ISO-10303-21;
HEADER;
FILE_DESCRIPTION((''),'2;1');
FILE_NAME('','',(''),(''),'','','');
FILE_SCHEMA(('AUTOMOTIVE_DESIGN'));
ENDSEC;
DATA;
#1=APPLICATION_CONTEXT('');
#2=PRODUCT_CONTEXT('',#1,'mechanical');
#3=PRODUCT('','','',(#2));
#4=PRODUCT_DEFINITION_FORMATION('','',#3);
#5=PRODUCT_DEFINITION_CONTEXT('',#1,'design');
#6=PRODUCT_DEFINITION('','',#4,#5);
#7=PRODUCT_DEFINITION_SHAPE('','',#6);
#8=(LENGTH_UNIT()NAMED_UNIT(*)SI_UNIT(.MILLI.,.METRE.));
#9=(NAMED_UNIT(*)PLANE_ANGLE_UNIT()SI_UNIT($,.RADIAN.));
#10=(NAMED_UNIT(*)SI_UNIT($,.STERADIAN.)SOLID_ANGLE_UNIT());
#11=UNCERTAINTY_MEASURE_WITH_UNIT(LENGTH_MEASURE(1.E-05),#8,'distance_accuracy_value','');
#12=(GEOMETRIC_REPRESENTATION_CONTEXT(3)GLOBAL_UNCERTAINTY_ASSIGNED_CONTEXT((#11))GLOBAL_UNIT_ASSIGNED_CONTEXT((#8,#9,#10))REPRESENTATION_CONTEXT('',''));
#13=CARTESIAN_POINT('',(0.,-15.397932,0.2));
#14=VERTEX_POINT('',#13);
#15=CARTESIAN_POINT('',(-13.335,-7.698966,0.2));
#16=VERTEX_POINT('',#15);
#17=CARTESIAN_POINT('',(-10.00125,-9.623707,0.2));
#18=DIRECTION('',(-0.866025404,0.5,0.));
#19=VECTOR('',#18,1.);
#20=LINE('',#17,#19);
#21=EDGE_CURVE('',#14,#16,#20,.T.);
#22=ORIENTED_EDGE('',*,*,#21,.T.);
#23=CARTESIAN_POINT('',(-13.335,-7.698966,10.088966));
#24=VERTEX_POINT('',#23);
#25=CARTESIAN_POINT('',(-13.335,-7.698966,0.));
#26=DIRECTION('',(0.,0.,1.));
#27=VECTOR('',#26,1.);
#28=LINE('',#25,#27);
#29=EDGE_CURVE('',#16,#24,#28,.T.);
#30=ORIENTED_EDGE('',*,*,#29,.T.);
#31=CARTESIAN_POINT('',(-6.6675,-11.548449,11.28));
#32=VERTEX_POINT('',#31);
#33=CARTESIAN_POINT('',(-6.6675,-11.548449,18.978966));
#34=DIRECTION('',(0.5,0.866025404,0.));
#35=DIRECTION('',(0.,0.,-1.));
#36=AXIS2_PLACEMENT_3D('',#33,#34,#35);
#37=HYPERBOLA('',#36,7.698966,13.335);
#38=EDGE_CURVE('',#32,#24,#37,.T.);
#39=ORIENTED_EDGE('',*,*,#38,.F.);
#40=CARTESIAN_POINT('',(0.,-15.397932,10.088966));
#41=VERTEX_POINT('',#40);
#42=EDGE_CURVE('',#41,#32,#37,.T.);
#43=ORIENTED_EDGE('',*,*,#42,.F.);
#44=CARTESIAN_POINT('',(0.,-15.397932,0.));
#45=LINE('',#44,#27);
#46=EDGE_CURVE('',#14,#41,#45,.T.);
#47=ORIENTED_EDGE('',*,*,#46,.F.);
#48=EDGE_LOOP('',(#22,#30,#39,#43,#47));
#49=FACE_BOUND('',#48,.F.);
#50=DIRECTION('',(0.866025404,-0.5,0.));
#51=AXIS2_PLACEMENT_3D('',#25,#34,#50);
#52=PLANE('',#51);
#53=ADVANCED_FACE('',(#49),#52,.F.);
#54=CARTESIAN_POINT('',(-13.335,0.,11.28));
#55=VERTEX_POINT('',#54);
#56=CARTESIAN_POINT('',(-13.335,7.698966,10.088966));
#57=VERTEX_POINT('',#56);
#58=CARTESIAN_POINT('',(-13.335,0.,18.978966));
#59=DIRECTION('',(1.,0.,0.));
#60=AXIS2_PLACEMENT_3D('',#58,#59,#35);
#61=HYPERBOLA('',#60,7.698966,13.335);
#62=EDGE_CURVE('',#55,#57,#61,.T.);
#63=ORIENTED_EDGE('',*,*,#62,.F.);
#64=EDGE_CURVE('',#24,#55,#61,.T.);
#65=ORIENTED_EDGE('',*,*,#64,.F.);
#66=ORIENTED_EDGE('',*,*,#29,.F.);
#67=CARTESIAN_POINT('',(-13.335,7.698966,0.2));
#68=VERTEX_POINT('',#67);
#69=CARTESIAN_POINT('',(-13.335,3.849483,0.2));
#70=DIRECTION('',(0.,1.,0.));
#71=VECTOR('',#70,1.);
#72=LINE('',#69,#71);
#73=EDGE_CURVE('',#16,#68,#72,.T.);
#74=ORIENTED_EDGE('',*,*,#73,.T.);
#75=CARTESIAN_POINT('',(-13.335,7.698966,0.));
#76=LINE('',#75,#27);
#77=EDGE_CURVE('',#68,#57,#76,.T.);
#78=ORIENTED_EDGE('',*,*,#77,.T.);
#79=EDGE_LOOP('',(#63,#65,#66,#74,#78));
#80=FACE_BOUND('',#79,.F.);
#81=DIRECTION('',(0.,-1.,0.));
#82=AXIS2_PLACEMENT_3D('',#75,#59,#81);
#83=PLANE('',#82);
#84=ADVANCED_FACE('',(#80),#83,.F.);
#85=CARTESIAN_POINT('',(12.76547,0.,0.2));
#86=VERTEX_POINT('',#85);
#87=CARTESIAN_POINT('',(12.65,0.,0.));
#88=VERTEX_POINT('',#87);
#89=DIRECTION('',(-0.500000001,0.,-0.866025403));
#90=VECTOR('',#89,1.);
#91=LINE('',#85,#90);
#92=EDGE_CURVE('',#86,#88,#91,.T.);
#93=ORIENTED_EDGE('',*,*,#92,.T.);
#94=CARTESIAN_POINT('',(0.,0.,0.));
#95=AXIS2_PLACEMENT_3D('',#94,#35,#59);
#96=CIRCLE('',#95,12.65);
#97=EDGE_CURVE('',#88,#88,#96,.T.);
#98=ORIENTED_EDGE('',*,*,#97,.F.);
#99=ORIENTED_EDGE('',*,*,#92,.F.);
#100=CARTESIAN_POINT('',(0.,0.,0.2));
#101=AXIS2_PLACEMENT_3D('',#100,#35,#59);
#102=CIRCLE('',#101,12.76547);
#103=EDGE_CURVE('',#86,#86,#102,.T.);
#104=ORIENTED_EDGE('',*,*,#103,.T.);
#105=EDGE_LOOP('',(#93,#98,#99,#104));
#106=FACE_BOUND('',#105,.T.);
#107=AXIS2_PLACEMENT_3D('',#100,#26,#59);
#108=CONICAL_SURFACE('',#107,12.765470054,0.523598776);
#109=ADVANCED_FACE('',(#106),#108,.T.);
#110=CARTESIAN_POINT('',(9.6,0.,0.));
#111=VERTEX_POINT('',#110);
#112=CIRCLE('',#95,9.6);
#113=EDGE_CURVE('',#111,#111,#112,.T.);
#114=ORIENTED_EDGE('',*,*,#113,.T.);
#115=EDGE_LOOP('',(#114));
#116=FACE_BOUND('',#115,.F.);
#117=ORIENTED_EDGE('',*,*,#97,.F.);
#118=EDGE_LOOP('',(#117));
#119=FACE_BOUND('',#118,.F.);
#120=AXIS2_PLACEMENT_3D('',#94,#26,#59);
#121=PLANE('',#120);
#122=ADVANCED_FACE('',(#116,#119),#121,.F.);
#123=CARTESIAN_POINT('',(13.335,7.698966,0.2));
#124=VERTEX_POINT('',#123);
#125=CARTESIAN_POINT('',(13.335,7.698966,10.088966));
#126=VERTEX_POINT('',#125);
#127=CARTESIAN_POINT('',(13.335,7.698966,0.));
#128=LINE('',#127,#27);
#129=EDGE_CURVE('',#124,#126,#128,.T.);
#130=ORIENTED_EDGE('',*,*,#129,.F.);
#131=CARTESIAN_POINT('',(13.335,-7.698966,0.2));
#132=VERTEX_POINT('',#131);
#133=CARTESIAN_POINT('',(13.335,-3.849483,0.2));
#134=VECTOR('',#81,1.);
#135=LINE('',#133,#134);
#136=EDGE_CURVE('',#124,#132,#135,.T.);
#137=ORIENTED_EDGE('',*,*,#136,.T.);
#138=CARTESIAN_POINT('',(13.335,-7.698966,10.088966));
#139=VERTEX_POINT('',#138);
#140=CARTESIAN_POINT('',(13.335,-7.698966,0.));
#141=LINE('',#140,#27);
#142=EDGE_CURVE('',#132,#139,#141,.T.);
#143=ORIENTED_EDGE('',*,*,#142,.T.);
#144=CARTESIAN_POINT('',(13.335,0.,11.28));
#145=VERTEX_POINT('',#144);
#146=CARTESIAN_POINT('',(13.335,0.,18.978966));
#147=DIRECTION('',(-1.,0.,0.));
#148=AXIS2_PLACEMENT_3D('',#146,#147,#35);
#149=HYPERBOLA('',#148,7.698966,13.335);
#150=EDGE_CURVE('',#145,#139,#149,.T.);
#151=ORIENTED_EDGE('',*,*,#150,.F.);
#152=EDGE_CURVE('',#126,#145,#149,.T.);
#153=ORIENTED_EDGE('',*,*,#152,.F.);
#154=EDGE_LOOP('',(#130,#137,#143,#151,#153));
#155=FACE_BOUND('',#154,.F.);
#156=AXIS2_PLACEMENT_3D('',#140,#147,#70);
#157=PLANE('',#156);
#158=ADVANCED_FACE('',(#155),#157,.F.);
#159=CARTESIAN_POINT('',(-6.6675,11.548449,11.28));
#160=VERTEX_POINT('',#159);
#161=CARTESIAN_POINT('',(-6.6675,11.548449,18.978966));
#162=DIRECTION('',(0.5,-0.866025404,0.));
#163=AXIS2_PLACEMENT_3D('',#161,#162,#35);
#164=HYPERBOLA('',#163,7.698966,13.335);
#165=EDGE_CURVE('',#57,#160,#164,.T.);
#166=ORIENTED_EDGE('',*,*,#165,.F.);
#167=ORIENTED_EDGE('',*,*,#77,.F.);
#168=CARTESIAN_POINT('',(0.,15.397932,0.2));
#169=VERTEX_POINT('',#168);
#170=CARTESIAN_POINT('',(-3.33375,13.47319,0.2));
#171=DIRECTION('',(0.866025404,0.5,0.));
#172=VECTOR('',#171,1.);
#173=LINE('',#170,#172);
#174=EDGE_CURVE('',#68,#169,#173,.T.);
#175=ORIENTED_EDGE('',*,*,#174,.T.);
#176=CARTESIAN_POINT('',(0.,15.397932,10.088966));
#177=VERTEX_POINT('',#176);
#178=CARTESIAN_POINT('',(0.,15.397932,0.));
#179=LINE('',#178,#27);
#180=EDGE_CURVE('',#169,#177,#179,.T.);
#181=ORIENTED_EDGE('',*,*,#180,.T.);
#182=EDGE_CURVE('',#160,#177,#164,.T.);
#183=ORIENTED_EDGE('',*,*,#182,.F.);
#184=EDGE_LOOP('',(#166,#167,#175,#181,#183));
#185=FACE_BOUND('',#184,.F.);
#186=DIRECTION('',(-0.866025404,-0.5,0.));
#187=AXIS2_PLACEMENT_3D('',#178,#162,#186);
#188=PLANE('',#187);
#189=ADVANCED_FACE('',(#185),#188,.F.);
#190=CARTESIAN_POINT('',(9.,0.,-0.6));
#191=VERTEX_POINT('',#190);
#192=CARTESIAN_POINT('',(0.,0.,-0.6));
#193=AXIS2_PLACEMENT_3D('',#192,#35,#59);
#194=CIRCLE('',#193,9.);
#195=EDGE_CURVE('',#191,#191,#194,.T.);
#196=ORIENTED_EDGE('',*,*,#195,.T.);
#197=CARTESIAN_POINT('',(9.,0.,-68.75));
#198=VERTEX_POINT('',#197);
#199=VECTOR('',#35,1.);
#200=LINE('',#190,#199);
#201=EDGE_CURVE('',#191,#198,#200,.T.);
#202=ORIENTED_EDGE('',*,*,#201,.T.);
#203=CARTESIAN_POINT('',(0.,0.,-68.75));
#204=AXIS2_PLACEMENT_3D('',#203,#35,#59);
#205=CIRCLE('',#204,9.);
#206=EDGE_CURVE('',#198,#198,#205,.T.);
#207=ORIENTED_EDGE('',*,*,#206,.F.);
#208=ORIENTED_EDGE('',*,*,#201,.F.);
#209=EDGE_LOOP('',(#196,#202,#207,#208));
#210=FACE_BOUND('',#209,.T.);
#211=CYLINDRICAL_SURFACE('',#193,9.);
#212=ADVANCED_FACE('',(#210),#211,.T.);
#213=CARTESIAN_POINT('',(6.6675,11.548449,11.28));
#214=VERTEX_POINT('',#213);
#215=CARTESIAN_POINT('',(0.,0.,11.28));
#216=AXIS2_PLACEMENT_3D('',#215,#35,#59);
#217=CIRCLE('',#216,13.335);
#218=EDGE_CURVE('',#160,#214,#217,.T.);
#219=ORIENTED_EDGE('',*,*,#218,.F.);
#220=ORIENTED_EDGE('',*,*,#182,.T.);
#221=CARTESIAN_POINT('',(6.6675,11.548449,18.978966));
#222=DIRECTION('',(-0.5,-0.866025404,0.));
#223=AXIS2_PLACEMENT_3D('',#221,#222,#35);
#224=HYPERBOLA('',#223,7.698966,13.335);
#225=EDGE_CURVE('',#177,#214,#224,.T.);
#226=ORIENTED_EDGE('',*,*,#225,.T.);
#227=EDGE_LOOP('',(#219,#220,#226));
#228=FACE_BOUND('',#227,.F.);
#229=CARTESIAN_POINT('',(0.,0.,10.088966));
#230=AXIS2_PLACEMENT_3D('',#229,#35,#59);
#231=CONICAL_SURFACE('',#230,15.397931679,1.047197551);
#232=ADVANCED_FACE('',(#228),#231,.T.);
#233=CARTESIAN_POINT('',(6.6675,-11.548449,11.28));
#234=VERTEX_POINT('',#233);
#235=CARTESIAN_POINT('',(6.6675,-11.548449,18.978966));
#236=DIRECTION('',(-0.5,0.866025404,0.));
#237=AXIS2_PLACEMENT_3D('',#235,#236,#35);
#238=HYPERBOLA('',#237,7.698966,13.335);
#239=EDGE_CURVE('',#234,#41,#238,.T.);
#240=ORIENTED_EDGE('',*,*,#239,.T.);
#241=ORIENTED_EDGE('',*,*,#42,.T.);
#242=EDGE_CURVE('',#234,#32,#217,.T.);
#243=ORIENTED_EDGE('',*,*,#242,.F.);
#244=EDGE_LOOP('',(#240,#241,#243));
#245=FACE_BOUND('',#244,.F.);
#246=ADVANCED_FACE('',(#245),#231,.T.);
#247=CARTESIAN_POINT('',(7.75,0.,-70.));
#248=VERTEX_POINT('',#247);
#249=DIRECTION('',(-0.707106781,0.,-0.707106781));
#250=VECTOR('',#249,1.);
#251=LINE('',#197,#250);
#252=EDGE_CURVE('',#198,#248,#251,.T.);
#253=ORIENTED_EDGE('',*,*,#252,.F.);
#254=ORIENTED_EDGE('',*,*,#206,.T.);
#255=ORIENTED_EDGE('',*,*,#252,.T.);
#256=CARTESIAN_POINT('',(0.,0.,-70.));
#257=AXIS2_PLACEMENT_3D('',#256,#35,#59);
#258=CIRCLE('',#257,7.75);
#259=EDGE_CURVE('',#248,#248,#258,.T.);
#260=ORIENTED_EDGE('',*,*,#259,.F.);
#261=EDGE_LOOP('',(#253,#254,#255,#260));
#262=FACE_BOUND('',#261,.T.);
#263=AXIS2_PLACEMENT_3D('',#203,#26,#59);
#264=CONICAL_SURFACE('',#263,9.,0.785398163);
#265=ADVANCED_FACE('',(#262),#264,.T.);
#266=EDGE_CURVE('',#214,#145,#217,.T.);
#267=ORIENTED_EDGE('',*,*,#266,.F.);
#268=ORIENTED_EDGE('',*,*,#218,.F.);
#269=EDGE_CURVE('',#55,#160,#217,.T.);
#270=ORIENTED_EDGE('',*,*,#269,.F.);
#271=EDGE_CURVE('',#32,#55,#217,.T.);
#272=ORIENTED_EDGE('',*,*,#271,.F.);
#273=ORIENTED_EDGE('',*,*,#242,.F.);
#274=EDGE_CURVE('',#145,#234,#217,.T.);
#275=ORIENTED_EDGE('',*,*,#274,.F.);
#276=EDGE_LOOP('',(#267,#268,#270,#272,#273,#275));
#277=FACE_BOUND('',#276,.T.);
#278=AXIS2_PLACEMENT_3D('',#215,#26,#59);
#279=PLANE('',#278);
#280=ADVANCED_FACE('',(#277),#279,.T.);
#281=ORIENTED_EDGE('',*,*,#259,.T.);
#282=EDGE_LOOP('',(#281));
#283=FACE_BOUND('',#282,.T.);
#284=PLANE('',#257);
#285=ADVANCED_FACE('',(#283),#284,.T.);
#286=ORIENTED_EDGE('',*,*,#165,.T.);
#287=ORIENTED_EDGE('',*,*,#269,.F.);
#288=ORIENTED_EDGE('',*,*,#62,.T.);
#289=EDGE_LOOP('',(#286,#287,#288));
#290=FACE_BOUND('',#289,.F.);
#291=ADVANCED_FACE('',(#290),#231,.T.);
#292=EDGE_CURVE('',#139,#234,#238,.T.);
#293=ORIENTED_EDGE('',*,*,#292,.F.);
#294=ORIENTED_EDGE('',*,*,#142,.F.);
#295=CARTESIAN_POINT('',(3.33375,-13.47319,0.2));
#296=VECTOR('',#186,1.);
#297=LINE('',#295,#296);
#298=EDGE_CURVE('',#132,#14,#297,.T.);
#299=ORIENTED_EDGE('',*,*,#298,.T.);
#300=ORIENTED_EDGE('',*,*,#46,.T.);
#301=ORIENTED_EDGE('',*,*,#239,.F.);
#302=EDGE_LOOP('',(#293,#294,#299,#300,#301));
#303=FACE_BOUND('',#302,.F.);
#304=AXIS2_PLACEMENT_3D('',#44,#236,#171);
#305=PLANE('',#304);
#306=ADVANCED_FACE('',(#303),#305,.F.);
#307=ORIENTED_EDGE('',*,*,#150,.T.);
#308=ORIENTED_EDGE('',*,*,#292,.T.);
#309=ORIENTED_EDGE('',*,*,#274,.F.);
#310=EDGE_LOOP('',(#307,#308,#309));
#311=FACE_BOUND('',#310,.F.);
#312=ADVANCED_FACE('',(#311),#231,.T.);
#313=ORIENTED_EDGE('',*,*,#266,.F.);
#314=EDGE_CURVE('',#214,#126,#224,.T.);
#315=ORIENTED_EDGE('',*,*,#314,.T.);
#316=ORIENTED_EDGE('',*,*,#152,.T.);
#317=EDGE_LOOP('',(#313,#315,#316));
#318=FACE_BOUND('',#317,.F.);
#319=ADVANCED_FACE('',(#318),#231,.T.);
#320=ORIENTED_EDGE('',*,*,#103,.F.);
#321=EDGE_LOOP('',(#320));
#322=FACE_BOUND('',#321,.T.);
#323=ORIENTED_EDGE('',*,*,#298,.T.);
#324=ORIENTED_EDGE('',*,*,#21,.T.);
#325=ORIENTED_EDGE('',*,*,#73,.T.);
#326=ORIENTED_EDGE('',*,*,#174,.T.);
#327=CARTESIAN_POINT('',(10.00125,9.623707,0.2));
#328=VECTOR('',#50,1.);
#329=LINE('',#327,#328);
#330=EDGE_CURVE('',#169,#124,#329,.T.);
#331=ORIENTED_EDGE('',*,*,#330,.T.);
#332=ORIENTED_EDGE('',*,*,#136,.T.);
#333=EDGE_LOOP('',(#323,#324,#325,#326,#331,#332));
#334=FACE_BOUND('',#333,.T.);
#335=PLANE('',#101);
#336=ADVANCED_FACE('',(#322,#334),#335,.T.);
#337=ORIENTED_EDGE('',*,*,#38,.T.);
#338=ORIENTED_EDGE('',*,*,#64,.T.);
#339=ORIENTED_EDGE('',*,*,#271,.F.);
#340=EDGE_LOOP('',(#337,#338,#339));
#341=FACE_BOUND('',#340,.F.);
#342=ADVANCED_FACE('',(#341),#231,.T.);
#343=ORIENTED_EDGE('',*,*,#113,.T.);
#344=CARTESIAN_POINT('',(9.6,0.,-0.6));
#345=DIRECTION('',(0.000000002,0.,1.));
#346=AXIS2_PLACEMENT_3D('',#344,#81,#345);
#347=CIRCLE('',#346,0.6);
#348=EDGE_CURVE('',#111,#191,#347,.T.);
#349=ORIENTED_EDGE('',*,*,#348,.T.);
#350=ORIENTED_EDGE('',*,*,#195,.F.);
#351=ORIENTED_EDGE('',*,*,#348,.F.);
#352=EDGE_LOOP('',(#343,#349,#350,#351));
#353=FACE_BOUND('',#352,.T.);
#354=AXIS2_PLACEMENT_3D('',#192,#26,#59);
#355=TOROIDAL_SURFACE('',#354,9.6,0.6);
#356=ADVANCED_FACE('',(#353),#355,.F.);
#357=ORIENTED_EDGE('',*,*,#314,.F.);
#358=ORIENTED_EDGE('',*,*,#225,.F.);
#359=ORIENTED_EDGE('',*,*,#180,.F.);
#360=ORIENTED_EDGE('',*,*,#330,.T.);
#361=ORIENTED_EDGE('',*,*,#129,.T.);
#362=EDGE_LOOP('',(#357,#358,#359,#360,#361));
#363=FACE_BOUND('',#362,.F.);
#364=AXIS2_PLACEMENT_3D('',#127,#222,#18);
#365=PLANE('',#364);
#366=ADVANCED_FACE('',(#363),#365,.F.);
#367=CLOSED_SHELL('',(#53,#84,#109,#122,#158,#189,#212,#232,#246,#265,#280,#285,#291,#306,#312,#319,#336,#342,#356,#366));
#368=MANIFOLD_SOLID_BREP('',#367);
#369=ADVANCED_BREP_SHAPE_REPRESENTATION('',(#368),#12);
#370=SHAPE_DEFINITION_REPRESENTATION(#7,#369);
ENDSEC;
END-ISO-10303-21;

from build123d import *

# Parameters (mm, degrees)
BOSS_EXTRUDE1_DEPTH = 11.28


with BuildPart() as part:
    # Sketch1 → Boss-Extrude1 (new body)
    with BuildSketch(Plane.XY):
        Polygon((0, 15.397931679), (-13.335, 7.69896584), (-13.335, -7.69896584), (0, -15.397931679), (13.335, -7.69896584), (13.335, 7.69896584), align=None)
    extrude(amount=BOSS_EXTRUDE1_DEPTH)

    # Sketch2 → Revolve1 (revolve)
    with BuildSketch(Plane(origin=(0, 0, 0), x_dir=(0, 0, -1), z_dir=(1, 0, 0)), mode=Mode.PRIVATE) as revolve1_sk:
        with BuildLine():
            Line((0, 0), (0, 9.6))
            ThreePointArc((0, 9.6), (0.175735931, 9.175735931), (0.6, 9))
            Line((0.6, 9), (68.75, 9))
            Line((68.75, 9), (70, 7.75))
            Line((70, 7.75), (70, 0))
            Line((70, 0), (0, 0))
        make_face()
    revolve(revolve1_sk.sketch.rotate(Axis((0, 0, 0), (0, 0, -1)), 90), axis=Axis((0, 0, 0), (0, 0, -1)))

    # Sketch3 → Cut-Revolve1 (revolve, cut)
    with BuildSketch(Plane(origin=(0, 0, 0), x_dir=(0, 0, -1), z_dir=(1, 0, 0)), mode=Mode.PRIVATE) as cut_revolve1_sk:
        Polygon((-11.28, 15.397931679), (-10.08896584, 15.397931679), (-11.28, 13.335), align=None)
        Polygon((-0.2, 15.397931679), (-0.2, 12.765470054), (0, 12.65), (0, 15.397931679), align=None)
    revolve(cut_revolve1_sk.sketch.rotate(Axis((0, 0, 12.204941078), (0, 0, -1)), 90), axis=Axis((0, 0, 12.204941078), (0, 0, -1)), mode=Mode.SUBTRACT)


solid = part.part
